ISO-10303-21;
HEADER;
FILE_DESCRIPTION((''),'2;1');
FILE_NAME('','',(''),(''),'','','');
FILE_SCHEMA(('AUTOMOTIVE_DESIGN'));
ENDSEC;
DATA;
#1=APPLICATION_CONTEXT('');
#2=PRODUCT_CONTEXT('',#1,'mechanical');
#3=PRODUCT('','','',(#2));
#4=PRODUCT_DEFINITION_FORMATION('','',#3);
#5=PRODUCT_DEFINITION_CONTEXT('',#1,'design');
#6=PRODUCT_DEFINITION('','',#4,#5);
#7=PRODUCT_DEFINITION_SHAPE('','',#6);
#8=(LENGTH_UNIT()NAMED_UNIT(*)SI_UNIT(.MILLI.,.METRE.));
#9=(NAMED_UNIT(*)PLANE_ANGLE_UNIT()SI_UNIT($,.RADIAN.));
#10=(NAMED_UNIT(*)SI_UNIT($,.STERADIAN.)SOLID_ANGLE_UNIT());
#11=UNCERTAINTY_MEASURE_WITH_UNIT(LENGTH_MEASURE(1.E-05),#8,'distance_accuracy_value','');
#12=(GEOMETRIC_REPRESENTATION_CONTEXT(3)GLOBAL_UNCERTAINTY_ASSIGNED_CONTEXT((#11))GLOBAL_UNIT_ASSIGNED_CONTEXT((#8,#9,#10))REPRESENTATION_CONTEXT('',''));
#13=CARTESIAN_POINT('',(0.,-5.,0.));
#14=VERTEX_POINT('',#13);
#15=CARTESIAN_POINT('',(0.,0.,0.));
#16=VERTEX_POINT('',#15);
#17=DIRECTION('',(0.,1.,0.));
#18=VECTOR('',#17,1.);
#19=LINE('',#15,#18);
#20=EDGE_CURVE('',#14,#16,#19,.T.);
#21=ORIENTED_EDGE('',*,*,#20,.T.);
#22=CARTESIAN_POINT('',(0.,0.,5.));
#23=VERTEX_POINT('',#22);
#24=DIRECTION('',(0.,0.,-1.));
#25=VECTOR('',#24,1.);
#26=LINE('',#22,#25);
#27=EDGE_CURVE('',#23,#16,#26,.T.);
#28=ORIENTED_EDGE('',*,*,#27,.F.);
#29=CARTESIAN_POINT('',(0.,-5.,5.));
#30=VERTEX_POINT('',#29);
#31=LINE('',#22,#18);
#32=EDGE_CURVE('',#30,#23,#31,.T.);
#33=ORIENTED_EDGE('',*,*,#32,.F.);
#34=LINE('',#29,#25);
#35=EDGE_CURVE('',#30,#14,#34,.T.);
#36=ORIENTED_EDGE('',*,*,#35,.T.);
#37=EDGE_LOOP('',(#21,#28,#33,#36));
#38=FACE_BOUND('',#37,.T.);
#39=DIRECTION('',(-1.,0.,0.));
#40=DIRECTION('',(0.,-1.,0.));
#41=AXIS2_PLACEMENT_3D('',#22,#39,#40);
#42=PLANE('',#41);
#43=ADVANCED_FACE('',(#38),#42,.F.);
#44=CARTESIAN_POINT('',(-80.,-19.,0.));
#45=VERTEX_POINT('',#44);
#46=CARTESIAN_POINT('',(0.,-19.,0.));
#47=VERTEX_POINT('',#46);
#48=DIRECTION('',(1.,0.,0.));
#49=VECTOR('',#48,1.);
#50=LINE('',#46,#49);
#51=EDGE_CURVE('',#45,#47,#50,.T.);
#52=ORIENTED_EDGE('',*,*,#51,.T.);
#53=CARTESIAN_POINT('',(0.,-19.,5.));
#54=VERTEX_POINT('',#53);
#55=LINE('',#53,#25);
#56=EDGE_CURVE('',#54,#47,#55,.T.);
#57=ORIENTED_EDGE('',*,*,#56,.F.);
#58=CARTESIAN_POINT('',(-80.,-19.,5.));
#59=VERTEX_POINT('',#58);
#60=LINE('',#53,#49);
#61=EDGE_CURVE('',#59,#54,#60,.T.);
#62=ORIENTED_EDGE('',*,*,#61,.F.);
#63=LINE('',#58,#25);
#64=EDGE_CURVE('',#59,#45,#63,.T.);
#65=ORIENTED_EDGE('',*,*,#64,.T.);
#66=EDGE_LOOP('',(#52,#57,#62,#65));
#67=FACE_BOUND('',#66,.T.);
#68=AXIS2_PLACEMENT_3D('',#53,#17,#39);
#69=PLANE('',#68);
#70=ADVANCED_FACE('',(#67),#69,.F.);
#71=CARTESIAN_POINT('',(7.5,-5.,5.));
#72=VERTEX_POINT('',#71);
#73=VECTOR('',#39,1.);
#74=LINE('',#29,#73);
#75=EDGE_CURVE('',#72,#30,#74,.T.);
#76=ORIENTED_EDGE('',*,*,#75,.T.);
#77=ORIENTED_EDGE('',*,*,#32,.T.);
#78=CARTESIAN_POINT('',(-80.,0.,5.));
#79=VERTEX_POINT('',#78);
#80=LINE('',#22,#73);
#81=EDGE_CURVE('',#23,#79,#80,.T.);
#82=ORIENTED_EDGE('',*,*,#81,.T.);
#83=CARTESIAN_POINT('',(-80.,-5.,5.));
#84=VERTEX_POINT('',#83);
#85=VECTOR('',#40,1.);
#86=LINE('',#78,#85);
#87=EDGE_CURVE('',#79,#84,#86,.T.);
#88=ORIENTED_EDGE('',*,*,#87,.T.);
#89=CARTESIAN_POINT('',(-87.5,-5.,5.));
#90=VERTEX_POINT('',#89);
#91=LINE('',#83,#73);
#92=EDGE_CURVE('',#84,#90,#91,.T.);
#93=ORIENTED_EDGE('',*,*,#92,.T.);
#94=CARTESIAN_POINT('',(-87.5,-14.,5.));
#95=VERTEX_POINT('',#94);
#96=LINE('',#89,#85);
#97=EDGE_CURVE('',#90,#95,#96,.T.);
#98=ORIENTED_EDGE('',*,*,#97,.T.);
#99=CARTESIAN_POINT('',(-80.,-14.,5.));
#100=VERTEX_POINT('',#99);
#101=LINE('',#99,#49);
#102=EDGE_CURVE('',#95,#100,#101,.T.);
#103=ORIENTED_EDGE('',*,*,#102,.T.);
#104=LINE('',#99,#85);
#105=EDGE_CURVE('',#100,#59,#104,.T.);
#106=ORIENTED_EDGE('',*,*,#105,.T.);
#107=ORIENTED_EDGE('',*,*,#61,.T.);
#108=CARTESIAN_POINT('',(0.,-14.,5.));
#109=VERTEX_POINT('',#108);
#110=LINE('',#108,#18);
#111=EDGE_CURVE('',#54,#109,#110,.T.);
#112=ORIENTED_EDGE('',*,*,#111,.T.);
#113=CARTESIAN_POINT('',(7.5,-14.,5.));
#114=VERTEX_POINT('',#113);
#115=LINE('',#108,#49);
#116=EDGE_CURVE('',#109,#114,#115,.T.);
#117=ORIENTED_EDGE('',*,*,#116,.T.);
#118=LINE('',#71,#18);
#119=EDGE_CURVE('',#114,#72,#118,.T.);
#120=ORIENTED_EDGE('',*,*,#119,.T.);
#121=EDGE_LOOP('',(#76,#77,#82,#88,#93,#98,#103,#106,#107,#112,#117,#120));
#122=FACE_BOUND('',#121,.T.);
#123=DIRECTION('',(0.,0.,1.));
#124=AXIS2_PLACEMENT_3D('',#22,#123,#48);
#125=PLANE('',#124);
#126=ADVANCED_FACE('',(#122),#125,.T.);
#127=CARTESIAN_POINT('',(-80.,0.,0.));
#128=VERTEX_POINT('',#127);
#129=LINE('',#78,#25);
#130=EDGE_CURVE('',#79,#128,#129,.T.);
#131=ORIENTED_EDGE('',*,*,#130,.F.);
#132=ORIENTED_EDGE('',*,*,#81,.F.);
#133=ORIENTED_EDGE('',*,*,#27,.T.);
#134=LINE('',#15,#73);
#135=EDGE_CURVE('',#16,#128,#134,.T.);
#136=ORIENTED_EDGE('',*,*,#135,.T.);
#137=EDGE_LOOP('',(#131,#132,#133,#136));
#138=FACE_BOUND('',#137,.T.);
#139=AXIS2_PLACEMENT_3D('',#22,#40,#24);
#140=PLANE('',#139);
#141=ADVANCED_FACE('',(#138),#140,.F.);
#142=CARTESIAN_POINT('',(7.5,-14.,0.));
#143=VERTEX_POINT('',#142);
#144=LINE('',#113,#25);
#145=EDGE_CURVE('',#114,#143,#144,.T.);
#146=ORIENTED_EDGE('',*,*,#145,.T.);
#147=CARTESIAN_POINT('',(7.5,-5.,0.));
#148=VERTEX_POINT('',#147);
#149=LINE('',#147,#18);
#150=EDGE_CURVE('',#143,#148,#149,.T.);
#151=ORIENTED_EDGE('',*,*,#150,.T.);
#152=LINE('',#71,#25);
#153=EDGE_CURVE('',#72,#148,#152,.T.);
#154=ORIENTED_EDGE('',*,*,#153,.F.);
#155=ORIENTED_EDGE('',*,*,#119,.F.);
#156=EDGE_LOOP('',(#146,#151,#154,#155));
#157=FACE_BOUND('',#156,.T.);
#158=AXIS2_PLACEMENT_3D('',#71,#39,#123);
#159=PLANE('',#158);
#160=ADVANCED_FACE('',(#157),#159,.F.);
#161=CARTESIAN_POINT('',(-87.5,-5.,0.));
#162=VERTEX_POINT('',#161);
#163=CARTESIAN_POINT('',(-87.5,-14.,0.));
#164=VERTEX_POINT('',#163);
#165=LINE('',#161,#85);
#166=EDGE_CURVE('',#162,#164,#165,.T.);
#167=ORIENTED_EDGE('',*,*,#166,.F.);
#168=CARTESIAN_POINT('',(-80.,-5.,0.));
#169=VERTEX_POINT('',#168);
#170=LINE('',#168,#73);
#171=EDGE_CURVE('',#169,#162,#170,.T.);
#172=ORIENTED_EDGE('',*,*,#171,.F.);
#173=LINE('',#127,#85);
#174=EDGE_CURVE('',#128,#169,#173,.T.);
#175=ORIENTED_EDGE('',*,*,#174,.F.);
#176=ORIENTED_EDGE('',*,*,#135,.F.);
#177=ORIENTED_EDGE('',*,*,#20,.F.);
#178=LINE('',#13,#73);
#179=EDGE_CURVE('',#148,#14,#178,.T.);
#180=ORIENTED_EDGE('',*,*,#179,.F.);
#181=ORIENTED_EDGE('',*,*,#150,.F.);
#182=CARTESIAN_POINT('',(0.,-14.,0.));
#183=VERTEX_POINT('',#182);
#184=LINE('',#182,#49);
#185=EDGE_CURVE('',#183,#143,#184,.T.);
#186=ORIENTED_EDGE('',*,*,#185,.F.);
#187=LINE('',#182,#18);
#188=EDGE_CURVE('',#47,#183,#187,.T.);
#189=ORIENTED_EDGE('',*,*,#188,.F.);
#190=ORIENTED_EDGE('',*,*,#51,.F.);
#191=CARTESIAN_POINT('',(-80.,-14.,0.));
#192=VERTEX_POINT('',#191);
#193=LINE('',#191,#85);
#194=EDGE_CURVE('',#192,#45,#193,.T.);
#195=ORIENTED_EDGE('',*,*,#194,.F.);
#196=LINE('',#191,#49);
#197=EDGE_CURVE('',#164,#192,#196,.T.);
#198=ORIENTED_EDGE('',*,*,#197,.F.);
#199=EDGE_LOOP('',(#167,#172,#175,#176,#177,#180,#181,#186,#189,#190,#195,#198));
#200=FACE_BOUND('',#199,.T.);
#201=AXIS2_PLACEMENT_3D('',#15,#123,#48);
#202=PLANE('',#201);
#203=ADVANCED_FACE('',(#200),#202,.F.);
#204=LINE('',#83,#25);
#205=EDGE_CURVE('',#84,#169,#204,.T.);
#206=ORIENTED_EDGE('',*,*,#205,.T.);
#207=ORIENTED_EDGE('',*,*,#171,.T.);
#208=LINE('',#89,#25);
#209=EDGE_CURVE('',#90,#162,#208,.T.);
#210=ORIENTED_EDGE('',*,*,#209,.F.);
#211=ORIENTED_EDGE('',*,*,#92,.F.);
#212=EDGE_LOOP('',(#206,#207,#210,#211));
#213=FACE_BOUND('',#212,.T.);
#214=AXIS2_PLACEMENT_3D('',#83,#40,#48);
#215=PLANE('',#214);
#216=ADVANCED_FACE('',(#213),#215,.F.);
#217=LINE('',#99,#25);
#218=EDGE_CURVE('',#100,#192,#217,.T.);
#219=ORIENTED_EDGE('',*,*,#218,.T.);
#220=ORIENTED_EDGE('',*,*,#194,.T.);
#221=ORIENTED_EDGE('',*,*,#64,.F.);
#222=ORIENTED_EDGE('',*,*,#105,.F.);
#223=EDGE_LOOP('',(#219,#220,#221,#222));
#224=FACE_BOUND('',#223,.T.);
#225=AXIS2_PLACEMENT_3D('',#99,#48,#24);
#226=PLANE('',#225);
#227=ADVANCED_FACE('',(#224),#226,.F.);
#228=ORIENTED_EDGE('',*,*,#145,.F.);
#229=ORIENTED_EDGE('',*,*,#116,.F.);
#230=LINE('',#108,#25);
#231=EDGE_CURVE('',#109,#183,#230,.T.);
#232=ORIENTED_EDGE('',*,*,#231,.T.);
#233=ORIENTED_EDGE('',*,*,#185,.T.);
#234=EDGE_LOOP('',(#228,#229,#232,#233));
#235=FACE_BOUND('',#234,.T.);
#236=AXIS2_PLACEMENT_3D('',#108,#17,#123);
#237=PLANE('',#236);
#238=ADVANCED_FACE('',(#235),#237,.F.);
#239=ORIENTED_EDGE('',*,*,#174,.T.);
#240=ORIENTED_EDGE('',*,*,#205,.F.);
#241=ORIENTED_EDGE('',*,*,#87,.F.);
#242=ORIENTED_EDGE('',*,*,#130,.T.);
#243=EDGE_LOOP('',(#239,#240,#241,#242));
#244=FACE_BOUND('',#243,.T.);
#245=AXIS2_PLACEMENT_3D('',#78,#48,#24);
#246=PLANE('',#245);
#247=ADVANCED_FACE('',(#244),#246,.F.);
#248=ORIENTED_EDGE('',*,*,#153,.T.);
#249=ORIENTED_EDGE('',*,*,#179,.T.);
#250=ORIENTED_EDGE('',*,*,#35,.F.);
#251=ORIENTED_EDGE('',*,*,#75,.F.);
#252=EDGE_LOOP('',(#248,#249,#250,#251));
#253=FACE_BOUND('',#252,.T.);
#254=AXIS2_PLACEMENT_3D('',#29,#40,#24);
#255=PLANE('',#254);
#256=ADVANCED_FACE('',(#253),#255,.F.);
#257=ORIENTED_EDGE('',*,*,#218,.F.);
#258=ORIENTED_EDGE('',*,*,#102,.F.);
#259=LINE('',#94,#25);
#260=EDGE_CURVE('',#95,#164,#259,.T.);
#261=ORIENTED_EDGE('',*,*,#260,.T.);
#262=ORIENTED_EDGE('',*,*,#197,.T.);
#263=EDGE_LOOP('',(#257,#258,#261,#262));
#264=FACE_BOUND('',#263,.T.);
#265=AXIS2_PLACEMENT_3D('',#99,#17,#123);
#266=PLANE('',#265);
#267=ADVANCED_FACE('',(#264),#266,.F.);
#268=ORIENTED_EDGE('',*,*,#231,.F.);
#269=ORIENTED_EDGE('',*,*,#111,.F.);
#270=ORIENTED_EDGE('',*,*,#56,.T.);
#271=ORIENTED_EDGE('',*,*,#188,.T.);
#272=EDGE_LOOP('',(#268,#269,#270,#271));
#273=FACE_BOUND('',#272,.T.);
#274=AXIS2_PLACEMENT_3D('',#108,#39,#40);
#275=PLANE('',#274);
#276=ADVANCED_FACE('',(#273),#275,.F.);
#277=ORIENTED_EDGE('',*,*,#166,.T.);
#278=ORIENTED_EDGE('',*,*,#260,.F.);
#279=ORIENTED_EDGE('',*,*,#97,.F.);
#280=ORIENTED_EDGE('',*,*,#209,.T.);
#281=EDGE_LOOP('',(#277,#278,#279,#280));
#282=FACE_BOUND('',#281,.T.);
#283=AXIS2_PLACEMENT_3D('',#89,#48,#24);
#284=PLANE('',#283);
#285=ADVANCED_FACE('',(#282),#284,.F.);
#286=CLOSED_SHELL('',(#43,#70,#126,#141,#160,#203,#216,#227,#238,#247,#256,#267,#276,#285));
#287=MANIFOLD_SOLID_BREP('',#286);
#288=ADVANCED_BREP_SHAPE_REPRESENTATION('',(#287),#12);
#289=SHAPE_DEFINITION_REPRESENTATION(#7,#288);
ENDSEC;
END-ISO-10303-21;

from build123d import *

# Parameters (mm, degrees)
BOSS_EXTRUDE1_DEPTH = 5


with BuildPart() as part:
    # Sketch2 → Boss-Extrude1 (new body)
    with BuildSketch(Plane.XY):
        Polygon((0, -14), (0, -19), (-80, -19), (-80, -14), (-87.5, -14), (-87.5, -5), (-80, -5), (-80, 0), (0, 0), (0, -5), (7.5, -5), (7.5, -14), align=None)
    extrude(amount=BOSS_EXTRUDE1_DEPTH)


solid = part.part
